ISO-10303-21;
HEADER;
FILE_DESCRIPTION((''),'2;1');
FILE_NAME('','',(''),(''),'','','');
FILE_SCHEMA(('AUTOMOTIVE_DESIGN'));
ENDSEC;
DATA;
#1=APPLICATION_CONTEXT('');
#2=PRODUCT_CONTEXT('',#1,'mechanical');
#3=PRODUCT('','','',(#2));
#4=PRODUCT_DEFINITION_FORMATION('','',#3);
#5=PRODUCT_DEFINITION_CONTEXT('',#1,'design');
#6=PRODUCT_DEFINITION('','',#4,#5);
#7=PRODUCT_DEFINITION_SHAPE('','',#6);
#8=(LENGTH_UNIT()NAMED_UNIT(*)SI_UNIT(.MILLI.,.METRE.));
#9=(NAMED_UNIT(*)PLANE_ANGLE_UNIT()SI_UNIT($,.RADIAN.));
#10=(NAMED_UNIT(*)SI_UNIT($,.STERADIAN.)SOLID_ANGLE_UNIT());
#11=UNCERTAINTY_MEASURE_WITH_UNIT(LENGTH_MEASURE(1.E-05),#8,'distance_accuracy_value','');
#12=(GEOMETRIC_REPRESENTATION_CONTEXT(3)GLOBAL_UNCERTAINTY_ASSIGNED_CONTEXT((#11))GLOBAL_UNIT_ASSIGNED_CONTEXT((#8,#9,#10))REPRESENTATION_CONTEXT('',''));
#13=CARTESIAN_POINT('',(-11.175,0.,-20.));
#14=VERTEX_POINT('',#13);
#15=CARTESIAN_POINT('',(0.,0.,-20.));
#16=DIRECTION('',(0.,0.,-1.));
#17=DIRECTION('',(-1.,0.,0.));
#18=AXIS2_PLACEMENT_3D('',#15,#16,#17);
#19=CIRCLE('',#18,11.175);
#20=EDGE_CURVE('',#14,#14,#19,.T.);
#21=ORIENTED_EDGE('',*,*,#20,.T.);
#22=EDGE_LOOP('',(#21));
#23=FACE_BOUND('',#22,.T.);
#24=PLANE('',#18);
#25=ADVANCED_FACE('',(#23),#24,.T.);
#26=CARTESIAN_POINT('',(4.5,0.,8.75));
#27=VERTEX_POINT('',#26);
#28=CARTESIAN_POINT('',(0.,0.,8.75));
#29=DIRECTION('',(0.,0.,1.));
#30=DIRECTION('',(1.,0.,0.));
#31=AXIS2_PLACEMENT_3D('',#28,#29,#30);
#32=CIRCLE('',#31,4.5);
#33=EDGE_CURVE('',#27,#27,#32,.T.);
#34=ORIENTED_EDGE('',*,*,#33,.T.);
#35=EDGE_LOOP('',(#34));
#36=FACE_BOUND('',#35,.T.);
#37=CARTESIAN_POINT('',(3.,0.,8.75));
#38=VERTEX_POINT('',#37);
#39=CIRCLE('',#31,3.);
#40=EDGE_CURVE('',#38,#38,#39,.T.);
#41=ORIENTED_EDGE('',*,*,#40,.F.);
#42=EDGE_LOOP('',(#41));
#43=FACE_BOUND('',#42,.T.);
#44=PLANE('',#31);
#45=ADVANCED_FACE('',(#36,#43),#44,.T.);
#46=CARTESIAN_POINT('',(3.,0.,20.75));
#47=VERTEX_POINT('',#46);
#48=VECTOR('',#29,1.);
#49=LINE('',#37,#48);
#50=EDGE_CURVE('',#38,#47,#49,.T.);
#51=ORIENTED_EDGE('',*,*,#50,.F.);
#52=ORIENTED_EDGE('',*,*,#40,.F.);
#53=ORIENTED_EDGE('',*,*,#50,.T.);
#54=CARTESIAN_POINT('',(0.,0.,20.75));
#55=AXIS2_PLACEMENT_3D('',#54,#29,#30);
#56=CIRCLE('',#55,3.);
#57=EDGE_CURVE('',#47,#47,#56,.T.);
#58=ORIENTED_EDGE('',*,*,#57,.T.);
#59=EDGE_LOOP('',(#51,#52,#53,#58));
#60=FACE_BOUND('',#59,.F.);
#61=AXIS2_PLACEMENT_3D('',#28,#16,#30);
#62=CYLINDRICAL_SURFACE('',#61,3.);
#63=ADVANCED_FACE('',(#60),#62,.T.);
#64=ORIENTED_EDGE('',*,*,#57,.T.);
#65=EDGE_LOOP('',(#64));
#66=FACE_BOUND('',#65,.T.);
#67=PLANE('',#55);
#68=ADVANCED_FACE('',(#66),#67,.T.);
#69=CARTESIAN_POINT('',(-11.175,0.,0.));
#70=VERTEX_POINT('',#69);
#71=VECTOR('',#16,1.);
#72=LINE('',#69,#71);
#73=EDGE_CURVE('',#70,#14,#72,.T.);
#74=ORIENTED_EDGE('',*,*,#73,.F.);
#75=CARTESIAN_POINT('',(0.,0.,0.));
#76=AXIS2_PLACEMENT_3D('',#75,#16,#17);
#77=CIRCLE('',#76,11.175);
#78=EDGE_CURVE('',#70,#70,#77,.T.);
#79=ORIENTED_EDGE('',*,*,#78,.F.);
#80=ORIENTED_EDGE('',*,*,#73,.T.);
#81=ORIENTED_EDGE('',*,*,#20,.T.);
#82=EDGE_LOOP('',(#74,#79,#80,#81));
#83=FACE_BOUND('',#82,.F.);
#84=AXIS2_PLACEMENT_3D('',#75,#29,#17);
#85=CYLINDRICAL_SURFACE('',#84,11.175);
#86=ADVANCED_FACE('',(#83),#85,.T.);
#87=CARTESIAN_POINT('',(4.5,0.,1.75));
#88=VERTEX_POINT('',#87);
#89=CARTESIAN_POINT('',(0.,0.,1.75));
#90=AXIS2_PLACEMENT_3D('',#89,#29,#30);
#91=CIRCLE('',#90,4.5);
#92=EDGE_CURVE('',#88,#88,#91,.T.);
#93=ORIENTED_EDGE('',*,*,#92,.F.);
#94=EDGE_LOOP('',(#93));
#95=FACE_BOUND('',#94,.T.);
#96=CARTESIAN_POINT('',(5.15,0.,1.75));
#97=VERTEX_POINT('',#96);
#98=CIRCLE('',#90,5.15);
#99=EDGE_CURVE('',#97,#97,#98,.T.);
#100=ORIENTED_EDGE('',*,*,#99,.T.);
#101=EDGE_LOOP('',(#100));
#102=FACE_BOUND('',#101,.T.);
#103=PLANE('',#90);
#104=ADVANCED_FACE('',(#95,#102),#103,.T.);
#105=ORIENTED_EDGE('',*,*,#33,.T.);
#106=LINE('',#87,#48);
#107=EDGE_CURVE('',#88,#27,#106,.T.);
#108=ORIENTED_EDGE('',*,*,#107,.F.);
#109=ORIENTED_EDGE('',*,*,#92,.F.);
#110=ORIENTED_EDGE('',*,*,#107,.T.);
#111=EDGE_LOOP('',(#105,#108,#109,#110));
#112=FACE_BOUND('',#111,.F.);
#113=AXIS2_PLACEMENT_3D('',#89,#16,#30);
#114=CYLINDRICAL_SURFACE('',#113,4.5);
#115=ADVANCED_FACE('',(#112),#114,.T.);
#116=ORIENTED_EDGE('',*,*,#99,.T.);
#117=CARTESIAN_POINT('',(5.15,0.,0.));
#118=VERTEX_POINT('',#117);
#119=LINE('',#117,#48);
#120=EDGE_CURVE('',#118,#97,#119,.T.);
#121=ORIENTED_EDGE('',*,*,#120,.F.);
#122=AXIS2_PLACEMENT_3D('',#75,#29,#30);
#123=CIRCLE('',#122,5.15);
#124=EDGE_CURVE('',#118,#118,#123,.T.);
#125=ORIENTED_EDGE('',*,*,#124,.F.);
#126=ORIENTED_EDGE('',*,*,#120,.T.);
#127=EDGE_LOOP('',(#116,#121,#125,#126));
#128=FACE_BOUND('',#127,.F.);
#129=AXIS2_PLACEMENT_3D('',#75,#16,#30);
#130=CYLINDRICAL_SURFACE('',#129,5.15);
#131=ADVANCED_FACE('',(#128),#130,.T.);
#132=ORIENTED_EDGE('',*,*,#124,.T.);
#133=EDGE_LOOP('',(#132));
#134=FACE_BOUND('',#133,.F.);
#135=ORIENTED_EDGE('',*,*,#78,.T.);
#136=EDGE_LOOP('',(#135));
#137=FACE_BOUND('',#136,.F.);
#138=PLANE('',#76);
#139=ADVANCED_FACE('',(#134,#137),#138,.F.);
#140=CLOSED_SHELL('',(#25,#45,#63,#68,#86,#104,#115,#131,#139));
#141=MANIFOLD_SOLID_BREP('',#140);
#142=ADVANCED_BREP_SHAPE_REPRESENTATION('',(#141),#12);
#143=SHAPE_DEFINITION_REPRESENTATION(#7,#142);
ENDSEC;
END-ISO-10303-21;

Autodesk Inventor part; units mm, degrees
ref_plane "YZ Plane" through (0, 0, 0) normal (1, 0, 0) x (0, 1, 0)
ref_plane "XZ Plane" through (0, 0, 0) normal (0, 1, 0) x (-1, 0, 0)
ref_plane "XY Plane" through (0, 0, 0) normal (0, 0, 1) x (1, 0, 0)
sketch "スケッチ1" plane through (0, 0, 0) normal (0, 0, 1) x (1, 0, 0)
  circle A0 centre (0, 0) radius 5.15
  dimension "d0" = 10.3
extrude "押し出し1" add sketch "スケッチ1" along normal blind 1.75
sketch "スケッチ2" plane through (0, 0, 1.75) normal (0, 0, 1) x (1, 0, 0)
  circle A0 centre (0, 0) radius 4.5
  dimension "d3" = 9
extrude "押し出し2" add sketch "スケッチ2" along normal blind 7
thread "ねじ1" size "M9x1.25" class "6g" standard "ANSI Metric M Profile" full length
sketch "スケッチ3" plane through (0, 0, 8.75) normal (0, 0, 1) x (1, 0, 0)
  circle A0 centre (0, 0) radius 3
  dimension "d8" = 6
extrude "押し出し3" add sketch "スケッチ3" along normal blind 12
sketch "スケッチ4" plane through (0, 0, 0) normal (0, 0, -1) x (-1, 0, 0)
  circle A0 centre (0, 0) radius 11.175
  dimension "d11" = 22.35
extrude "押し出し4" add sketch "スケッチ4" along normal blind 20
properties part number "ポテンショメータB"
